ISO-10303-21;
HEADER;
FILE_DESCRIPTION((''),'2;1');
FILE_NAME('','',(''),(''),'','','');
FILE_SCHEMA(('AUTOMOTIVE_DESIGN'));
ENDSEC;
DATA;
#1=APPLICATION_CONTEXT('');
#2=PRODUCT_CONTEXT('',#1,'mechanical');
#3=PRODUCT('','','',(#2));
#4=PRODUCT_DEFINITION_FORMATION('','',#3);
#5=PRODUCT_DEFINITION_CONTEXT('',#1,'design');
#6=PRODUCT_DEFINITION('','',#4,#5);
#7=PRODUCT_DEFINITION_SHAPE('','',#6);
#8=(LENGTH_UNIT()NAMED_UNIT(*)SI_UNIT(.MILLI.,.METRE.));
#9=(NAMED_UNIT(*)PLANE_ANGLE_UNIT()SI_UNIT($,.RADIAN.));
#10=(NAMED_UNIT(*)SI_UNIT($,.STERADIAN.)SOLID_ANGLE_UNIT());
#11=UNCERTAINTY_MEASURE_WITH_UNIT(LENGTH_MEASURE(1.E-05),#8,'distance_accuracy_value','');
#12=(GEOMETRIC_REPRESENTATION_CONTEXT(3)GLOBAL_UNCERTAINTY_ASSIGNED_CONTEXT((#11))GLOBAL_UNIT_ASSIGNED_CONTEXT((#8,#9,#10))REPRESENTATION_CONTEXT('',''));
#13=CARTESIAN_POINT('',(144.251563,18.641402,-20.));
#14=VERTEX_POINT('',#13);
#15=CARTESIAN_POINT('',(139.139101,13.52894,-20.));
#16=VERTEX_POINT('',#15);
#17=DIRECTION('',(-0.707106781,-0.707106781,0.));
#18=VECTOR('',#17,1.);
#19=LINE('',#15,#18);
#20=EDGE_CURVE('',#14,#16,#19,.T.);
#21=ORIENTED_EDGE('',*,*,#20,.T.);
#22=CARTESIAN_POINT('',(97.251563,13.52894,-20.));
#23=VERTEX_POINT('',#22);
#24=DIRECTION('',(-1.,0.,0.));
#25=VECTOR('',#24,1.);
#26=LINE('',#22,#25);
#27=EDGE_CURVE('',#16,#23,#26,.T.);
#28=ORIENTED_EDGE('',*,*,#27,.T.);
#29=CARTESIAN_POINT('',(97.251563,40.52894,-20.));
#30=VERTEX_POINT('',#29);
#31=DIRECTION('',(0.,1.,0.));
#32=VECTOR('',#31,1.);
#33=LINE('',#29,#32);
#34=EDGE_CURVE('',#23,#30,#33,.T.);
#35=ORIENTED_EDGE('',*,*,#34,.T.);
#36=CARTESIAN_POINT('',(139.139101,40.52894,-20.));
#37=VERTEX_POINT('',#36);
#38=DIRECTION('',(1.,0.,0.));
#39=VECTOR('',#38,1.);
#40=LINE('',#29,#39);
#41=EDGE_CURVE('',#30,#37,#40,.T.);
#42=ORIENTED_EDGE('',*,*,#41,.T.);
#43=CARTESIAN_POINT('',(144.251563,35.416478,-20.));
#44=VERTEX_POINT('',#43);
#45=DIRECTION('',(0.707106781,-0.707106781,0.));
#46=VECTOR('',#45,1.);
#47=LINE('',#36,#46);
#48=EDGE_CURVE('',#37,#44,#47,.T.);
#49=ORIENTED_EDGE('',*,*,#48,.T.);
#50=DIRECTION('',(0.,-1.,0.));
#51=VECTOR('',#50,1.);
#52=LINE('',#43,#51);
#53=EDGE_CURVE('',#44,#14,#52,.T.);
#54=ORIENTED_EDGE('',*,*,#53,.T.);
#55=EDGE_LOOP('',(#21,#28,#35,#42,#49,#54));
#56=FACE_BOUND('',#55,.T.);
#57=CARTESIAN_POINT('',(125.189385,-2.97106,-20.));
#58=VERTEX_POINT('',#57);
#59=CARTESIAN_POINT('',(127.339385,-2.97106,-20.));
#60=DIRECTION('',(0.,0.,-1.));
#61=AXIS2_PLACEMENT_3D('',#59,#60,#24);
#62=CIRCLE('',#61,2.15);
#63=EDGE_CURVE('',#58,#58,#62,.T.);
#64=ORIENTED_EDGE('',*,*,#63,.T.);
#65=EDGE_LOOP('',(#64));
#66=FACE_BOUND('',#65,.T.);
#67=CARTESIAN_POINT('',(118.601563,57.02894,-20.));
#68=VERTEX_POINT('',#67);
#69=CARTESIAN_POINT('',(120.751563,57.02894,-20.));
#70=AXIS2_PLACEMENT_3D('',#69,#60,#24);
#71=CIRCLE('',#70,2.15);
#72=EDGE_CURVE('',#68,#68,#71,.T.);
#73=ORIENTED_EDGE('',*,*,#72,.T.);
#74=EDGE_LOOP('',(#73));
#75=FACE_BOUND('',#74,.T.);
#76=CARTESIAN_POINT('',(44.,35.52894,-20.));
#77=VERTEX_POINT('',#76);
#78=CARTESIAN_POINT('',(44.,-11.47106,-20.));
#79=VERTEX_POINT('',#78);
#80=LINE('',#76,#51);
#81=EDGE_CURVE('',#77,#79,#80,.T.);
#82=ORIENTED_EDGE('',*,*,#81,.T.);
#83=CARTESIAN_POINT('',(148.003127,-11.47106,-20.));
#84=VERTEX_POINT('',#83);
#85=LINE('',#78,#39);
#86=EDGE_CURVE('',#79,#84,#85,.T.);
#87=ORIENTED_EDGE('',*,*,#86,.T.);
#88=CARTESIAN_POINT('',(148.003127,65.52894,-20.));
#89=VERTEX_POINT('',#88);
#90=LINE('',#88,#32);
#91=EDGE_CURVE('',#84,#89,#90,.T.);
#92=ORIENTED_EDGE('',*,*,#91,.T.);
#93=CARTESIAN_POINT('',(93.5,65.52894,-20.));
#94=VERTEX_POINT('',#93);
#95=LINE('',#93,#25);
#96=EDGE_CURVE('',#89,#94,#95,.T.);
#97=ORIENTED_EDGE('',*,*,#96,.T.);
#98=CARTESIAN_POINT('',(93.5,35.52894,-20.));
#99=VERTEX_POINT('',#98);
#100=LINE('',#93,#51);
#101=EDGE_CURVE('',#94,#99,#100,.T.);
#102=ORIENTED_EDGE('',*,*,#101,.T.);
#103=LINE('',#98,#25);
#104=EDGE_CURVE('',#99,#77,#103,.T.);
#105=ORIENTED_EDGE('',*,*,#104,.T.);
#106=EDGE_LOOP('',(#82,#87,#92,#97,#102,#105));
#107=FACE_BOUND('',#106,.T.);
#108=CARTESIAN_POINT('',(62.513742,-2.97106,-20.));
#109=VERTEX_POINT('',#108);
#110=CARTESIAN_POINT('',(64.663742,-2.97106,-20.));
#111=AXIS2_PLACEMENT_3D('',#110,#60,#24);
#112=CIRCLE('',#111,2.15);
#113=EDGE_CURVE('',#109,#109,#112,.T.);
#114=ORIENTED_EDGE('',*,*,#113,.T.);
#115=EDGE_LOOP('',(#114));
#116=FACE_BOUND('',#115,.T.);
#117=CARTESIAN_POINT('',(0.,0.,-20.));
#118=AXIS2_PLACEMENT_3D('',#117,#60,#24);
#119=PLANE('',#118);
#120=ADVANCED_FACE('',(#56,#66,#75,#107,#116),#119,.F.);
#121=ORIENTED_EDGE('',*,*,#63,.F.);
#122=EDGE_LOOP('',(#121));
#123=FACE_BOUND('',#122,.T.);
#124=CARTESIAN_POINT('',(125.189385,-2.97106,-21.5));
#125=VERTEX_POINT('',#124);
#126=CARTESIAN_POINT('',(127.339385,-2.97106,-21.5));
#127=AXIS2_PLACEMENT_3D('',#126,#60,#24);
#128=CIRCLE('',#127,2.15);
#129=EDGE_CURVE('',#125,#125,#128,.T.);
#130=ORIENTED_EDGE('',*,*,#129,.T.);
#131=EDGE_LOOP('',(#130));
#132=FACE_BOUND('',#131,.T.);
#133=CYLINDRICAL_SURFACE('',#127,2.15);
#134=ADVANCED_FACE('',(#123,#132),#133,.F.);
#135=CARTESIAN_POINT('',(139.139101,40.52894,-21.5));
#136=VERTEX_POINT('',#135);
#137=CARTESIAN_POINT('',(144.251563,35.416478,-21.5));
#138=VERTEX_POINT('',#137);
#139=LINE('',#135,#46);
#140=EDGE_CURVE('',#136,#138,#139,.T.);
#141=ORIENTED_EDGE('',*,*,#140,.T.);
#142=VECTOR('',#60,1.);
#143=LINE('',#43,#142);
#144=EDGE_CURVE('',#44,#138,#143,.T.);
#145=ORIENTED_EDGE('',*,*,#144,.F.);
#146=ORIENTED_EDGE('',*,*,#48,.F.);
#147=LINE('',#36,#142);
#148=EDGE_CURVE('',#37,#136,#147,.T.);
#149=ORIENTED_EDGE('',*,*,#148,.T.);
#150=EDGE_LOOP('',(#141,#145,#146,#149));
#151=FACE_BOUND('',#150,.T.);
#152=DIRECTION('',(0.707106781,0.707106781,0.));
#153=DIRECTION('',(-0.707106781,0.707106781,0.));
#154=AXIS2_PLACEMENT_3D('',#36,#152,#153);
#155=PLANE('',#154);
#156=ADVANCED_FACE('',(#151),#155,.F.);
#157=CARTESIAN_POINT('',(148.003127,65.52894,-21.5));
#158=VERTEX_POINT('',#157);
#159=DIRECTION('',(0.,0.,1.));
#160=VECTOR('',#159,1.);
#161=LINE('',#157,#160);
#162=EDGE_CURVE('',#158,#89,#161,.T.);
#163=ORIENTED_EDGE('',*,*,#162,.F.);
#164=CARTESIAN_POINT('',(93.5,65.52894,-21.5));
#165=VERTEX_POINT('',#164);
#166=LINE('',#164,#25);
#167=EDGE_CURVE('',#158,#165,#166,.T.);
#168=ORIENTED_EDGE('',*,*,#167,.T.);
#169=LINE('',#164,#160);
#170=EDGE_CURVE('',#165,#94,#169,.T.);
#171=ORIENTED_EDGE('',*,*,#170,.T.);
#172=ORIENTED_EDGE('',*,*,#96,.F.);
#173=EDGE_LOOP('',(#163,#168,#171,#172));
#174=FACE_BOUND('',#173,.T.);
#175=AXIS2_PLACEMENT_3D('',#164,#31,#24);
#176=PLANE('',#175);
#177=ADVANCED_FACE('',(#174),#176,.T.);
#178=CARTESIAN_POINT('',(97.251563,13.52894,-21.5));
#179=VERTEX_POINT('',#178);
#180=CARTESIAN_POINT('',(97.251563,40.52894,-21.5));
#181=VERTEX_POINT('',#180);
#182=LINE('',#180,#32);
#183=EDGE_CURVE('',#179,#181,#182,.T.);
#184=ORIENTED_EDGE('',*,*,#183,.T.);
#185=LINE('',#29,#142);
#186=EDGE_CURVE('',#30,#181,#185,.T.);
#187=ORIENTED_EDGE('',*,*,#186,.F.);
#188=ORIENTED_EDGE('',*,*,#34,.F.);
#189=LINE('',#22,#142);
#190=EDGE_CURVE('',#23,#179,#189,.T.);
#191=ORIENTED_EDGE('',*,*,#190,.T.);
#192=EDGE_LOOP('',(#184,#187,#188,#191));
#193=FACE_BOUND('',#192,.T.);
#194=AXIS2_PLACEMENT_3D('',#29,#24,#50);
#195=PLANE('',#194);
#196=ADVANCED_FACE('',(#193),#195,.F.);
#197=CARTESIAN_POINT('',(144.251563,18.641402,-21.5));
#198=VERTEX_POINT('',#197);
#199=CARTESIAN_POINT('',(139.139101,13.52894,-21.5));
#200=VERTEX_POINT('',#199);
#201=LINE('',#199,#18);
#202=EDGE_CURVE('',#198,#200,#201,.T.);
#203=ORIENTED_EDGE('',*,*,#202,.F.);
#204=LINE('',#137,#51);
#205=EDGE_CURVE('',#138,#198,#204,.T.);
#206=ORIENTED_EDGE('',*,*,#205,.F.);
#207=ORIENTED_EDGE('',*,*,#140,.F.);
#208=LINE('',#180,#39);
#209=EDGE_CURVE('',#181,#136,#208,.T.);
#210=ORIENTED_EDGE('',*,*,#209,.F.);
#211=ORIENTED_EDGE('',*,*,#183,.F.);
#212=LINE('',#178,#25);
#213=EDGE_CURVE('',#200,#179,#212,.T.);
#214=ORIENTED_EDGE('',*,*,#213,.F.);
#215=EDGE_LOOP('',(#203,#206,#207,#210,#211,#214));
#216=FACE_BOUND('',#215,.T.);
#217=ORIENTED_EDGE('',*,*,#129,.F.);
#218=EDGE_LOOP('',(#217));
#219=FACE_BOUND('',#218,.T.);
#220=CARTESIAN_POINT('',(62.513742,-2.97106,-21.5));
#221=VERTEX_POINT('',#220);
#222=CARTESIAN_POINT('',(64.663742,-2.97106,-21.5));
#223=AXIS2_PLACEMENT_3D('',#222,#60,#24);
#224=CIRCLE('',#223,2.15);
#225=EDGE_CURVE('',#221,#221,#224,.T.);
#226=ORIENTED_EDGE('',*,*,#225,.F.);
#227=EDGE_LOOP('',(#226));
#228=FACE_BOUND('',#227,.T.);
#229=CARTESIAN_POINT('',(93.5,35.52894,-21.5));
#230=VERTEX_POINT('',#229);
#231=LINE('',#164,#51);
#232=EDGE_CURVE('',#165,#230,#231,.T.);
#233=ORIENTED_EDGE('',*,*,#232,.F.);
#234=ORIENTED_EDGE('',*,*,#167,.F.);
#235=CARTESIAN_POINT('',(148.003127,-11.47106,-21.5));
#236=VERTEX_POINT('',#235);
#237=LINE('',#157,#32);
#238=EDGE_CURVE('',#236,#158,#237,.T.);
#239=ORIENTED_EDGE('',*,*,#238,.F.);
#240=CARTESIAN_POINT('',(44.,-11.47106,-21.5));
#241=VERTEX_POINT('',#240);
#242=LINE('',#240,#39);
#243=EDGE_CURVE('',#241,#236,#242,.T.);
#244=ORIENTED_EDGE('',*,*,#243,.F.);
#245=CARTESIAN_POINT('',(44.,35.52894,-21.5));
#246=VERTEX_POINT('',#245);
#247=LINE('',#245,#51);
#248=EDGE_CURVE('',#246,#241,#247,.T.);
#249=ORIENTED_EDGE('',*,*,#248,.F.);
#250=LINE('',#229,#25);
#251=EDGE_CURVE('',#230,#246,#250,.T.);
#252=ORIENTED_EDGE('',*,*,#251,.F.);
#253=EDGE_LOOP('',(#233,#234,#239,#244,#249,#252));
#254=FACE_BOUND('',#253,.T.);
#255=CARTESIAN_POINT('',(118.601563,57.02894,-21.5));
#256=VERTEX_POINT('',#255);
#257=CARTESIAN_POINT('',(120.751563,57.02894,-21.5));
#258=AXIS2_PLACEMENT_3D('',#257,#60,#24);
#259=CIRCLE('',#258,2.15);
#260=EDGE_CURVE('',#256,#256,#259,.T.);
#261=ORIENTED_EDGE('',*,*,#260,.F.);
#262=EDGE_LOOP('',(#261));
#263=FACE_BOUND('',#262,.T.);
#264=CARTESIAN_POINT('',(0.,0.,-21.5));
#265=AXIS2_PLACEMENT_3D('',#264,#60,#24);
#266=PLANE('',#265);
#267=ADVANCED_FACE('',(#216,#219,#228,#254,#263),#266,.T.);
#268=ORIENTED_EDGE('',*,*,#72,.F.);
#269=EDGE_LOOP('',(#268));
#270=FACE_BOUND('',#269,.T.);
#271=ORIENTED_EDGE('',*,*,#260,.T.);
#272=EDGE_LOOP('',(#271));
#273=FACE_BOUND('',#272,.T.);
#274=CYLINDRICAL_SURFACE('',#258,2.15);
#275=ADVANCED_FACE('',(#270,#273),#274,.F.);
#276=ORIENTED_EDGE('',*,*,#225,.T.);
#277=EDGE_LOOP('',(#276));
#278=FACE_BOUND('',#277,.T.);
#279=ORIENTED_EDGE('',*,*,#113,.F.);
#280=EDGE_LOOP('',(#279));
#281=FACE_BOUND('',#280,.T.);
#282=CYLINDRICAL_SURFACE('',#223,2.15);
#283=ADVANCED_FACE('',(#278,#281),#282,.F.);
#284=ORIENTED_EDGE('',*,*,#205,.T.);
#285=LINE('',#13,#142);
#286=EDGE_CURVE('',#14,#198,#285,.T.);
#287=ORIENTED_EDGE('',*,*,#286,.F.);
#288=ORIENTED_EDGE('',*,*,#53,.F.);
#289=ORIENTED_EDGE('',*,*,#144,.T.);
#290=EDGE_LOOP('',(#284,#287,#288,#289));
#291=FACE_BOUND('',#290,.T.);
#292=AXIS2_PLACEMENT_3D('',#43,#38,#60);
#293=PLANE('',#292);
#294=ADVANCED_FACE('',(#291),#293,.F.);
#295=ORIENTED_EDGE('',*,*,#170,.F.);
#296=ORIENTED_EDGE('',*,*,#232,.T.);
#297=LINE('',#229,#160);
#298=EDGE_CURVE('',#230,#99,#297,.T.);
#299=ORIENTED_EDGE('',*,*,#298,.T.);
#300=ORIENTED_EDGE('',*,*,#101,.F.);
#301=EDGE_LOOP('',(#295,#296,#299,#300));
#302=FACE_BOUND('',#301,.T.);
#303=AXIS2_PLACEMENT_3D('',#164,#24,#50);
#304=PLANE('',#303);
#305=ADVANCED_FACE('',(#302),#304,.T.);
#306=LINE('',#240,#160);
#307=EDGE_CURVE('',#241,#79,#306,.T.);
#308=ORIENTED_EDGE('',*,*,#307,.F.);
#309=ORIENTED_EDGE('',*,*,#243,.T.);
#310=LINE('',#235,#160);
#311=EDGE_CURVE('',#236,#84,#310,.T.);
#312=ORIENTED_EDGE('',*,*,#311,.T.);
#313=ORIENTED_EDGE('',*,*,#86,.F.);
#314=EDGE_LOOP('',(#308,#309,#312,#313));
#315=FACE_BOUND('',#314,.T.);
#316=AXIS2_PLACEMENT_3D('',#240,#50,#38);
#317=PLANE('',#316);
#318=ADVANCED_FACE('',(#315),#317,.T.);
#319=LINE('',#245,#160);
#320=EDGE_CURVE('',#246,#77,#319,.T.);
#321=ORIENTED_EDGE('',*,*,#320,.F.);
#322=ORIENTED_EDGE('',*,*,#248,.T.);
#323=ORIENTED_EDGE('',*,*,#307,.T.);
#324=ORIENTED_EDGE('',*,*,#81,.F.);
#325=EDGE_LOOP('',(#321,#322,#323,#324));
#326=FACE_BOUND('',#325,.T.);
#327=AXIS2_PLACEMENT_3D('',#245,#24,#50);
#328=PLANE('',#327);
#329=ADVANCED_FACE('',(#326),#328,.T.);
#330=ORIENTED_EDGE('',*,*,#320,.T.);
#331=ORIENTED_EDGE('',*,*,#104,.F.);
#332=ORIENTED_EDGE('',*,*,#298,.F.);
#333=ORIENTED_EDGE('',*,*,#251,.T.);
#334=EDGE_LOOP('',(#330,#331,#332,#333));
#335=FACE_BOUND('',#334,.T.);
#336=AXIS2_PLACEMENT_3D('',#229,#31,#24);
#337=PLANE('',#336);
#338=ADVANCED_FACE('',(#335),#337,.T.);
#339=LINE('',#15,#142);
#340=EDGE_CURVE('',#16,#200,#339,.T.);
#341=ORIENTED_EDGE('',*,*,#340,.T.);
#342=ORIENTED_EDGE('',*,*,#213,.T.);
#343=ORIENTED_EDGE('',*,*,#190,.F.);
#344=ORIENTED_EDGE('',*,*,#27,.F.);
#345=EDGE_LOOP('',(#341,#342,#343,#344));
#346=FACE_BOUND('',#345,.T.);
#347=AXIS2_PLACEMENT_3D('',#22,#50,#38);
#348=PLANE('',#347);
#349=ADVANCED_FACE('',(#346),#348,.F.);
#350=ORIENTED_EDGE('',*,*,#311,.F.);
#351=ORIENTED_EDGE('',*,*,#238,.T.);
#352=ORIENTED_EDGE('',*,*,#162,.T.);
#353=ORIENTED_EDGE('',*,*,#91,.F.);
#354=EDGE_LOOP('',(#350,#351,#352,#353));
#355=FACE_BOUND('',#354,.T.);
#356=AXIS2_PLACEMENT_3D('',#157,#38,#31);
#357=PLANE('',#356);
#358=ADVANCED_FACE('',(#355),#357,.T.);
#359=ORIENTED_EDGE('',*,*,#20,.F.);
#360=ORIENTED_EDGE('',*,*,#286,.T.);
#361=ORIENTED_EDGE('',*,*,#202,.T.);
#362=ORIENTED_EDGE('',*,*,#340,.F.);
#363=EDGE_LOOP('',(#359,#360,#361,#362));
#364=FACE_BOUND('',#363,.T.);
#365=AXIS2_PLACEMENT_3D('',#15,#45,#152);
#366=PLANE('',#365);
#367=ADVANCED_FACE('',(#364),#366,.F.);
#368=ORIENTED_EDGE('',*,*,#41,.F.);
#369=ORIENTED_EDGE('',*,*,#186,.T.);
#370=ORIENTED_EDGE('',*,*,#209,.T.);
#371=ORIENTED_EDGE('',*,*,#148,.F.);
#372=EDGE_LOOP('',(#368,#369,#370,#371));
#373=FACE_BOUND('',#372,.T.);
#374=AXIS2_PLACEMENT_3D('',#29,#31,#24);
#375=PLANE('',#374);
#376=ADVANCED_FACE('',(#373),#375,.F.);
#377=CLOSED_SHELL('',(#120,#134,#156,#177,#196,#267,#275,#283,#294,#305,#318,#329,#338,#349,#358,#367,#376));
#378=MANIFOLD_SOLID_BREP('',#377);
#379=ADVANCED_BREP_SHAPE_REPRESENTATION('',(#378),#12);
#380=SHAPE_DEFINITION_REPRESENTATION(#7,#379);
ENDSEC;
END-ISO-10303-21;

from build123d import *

# Parameters (mm, degrees)
BOSS_EXTRU_1_DEPTH      = 1.5
D_GAGEMENT_M41_D        = 4.3
D_GAGEMENT_M41_DEPTH    = 24
ENL_V_MAT_EXTRU_1_DEPTH = 2.5


with BuildPart() as part:
    # Esquisse1 → Boss.-Extru.1 (new body)
    with BuildSketch(Plane.XY.offset(-20)):
        Polygon((148.003126518, 65.528940229), (148.003126518, -11.471059771), (44, -11.471059771), (44, 35.528940229), (93.499999998, 35.528940229), (93.499999998, 65.528940229), align=None)
    extrude(amount=-BOSS_EXTRU_1_DEPTH)

    # Dégagement M41
    with Locations(Plane(origin=(0, 0, -21.5), x_dir=(-1, 0, 0), z_dir=(0, 0, -1))):
        with Locations((-120.751563258, 57.028940229), (-127.339384783, -2.971059771), (-64.663741735, -2.971059771)):
            Hole(D_GAGEMENT_M41_D / 2, depth=D_GAGEMENT_M41_DEPTH)

    # Esquisse5 → Enlèv. mat.-Extru.1 (cut, through all)
    with BuildSketch(Plane(origin=(0, 0, -21.5), x_dir=(-1, 0, 0), z_dir=(0, 0, -1))):
        Polygon((-97.251563258, 40.528940229), (-139.139101481, 40.528940229), (-144.251563258, 35.416478452), (-144.251563258, 18.641402007), (-139.139101481, 13.528940229), (-97.251563258, 13.528940229), align=None)
    extrude(amount=-ENL_V_MAT_EXTRU_1_DEPTH, mode=Mode.SUBTRACT)


solid = part.part
